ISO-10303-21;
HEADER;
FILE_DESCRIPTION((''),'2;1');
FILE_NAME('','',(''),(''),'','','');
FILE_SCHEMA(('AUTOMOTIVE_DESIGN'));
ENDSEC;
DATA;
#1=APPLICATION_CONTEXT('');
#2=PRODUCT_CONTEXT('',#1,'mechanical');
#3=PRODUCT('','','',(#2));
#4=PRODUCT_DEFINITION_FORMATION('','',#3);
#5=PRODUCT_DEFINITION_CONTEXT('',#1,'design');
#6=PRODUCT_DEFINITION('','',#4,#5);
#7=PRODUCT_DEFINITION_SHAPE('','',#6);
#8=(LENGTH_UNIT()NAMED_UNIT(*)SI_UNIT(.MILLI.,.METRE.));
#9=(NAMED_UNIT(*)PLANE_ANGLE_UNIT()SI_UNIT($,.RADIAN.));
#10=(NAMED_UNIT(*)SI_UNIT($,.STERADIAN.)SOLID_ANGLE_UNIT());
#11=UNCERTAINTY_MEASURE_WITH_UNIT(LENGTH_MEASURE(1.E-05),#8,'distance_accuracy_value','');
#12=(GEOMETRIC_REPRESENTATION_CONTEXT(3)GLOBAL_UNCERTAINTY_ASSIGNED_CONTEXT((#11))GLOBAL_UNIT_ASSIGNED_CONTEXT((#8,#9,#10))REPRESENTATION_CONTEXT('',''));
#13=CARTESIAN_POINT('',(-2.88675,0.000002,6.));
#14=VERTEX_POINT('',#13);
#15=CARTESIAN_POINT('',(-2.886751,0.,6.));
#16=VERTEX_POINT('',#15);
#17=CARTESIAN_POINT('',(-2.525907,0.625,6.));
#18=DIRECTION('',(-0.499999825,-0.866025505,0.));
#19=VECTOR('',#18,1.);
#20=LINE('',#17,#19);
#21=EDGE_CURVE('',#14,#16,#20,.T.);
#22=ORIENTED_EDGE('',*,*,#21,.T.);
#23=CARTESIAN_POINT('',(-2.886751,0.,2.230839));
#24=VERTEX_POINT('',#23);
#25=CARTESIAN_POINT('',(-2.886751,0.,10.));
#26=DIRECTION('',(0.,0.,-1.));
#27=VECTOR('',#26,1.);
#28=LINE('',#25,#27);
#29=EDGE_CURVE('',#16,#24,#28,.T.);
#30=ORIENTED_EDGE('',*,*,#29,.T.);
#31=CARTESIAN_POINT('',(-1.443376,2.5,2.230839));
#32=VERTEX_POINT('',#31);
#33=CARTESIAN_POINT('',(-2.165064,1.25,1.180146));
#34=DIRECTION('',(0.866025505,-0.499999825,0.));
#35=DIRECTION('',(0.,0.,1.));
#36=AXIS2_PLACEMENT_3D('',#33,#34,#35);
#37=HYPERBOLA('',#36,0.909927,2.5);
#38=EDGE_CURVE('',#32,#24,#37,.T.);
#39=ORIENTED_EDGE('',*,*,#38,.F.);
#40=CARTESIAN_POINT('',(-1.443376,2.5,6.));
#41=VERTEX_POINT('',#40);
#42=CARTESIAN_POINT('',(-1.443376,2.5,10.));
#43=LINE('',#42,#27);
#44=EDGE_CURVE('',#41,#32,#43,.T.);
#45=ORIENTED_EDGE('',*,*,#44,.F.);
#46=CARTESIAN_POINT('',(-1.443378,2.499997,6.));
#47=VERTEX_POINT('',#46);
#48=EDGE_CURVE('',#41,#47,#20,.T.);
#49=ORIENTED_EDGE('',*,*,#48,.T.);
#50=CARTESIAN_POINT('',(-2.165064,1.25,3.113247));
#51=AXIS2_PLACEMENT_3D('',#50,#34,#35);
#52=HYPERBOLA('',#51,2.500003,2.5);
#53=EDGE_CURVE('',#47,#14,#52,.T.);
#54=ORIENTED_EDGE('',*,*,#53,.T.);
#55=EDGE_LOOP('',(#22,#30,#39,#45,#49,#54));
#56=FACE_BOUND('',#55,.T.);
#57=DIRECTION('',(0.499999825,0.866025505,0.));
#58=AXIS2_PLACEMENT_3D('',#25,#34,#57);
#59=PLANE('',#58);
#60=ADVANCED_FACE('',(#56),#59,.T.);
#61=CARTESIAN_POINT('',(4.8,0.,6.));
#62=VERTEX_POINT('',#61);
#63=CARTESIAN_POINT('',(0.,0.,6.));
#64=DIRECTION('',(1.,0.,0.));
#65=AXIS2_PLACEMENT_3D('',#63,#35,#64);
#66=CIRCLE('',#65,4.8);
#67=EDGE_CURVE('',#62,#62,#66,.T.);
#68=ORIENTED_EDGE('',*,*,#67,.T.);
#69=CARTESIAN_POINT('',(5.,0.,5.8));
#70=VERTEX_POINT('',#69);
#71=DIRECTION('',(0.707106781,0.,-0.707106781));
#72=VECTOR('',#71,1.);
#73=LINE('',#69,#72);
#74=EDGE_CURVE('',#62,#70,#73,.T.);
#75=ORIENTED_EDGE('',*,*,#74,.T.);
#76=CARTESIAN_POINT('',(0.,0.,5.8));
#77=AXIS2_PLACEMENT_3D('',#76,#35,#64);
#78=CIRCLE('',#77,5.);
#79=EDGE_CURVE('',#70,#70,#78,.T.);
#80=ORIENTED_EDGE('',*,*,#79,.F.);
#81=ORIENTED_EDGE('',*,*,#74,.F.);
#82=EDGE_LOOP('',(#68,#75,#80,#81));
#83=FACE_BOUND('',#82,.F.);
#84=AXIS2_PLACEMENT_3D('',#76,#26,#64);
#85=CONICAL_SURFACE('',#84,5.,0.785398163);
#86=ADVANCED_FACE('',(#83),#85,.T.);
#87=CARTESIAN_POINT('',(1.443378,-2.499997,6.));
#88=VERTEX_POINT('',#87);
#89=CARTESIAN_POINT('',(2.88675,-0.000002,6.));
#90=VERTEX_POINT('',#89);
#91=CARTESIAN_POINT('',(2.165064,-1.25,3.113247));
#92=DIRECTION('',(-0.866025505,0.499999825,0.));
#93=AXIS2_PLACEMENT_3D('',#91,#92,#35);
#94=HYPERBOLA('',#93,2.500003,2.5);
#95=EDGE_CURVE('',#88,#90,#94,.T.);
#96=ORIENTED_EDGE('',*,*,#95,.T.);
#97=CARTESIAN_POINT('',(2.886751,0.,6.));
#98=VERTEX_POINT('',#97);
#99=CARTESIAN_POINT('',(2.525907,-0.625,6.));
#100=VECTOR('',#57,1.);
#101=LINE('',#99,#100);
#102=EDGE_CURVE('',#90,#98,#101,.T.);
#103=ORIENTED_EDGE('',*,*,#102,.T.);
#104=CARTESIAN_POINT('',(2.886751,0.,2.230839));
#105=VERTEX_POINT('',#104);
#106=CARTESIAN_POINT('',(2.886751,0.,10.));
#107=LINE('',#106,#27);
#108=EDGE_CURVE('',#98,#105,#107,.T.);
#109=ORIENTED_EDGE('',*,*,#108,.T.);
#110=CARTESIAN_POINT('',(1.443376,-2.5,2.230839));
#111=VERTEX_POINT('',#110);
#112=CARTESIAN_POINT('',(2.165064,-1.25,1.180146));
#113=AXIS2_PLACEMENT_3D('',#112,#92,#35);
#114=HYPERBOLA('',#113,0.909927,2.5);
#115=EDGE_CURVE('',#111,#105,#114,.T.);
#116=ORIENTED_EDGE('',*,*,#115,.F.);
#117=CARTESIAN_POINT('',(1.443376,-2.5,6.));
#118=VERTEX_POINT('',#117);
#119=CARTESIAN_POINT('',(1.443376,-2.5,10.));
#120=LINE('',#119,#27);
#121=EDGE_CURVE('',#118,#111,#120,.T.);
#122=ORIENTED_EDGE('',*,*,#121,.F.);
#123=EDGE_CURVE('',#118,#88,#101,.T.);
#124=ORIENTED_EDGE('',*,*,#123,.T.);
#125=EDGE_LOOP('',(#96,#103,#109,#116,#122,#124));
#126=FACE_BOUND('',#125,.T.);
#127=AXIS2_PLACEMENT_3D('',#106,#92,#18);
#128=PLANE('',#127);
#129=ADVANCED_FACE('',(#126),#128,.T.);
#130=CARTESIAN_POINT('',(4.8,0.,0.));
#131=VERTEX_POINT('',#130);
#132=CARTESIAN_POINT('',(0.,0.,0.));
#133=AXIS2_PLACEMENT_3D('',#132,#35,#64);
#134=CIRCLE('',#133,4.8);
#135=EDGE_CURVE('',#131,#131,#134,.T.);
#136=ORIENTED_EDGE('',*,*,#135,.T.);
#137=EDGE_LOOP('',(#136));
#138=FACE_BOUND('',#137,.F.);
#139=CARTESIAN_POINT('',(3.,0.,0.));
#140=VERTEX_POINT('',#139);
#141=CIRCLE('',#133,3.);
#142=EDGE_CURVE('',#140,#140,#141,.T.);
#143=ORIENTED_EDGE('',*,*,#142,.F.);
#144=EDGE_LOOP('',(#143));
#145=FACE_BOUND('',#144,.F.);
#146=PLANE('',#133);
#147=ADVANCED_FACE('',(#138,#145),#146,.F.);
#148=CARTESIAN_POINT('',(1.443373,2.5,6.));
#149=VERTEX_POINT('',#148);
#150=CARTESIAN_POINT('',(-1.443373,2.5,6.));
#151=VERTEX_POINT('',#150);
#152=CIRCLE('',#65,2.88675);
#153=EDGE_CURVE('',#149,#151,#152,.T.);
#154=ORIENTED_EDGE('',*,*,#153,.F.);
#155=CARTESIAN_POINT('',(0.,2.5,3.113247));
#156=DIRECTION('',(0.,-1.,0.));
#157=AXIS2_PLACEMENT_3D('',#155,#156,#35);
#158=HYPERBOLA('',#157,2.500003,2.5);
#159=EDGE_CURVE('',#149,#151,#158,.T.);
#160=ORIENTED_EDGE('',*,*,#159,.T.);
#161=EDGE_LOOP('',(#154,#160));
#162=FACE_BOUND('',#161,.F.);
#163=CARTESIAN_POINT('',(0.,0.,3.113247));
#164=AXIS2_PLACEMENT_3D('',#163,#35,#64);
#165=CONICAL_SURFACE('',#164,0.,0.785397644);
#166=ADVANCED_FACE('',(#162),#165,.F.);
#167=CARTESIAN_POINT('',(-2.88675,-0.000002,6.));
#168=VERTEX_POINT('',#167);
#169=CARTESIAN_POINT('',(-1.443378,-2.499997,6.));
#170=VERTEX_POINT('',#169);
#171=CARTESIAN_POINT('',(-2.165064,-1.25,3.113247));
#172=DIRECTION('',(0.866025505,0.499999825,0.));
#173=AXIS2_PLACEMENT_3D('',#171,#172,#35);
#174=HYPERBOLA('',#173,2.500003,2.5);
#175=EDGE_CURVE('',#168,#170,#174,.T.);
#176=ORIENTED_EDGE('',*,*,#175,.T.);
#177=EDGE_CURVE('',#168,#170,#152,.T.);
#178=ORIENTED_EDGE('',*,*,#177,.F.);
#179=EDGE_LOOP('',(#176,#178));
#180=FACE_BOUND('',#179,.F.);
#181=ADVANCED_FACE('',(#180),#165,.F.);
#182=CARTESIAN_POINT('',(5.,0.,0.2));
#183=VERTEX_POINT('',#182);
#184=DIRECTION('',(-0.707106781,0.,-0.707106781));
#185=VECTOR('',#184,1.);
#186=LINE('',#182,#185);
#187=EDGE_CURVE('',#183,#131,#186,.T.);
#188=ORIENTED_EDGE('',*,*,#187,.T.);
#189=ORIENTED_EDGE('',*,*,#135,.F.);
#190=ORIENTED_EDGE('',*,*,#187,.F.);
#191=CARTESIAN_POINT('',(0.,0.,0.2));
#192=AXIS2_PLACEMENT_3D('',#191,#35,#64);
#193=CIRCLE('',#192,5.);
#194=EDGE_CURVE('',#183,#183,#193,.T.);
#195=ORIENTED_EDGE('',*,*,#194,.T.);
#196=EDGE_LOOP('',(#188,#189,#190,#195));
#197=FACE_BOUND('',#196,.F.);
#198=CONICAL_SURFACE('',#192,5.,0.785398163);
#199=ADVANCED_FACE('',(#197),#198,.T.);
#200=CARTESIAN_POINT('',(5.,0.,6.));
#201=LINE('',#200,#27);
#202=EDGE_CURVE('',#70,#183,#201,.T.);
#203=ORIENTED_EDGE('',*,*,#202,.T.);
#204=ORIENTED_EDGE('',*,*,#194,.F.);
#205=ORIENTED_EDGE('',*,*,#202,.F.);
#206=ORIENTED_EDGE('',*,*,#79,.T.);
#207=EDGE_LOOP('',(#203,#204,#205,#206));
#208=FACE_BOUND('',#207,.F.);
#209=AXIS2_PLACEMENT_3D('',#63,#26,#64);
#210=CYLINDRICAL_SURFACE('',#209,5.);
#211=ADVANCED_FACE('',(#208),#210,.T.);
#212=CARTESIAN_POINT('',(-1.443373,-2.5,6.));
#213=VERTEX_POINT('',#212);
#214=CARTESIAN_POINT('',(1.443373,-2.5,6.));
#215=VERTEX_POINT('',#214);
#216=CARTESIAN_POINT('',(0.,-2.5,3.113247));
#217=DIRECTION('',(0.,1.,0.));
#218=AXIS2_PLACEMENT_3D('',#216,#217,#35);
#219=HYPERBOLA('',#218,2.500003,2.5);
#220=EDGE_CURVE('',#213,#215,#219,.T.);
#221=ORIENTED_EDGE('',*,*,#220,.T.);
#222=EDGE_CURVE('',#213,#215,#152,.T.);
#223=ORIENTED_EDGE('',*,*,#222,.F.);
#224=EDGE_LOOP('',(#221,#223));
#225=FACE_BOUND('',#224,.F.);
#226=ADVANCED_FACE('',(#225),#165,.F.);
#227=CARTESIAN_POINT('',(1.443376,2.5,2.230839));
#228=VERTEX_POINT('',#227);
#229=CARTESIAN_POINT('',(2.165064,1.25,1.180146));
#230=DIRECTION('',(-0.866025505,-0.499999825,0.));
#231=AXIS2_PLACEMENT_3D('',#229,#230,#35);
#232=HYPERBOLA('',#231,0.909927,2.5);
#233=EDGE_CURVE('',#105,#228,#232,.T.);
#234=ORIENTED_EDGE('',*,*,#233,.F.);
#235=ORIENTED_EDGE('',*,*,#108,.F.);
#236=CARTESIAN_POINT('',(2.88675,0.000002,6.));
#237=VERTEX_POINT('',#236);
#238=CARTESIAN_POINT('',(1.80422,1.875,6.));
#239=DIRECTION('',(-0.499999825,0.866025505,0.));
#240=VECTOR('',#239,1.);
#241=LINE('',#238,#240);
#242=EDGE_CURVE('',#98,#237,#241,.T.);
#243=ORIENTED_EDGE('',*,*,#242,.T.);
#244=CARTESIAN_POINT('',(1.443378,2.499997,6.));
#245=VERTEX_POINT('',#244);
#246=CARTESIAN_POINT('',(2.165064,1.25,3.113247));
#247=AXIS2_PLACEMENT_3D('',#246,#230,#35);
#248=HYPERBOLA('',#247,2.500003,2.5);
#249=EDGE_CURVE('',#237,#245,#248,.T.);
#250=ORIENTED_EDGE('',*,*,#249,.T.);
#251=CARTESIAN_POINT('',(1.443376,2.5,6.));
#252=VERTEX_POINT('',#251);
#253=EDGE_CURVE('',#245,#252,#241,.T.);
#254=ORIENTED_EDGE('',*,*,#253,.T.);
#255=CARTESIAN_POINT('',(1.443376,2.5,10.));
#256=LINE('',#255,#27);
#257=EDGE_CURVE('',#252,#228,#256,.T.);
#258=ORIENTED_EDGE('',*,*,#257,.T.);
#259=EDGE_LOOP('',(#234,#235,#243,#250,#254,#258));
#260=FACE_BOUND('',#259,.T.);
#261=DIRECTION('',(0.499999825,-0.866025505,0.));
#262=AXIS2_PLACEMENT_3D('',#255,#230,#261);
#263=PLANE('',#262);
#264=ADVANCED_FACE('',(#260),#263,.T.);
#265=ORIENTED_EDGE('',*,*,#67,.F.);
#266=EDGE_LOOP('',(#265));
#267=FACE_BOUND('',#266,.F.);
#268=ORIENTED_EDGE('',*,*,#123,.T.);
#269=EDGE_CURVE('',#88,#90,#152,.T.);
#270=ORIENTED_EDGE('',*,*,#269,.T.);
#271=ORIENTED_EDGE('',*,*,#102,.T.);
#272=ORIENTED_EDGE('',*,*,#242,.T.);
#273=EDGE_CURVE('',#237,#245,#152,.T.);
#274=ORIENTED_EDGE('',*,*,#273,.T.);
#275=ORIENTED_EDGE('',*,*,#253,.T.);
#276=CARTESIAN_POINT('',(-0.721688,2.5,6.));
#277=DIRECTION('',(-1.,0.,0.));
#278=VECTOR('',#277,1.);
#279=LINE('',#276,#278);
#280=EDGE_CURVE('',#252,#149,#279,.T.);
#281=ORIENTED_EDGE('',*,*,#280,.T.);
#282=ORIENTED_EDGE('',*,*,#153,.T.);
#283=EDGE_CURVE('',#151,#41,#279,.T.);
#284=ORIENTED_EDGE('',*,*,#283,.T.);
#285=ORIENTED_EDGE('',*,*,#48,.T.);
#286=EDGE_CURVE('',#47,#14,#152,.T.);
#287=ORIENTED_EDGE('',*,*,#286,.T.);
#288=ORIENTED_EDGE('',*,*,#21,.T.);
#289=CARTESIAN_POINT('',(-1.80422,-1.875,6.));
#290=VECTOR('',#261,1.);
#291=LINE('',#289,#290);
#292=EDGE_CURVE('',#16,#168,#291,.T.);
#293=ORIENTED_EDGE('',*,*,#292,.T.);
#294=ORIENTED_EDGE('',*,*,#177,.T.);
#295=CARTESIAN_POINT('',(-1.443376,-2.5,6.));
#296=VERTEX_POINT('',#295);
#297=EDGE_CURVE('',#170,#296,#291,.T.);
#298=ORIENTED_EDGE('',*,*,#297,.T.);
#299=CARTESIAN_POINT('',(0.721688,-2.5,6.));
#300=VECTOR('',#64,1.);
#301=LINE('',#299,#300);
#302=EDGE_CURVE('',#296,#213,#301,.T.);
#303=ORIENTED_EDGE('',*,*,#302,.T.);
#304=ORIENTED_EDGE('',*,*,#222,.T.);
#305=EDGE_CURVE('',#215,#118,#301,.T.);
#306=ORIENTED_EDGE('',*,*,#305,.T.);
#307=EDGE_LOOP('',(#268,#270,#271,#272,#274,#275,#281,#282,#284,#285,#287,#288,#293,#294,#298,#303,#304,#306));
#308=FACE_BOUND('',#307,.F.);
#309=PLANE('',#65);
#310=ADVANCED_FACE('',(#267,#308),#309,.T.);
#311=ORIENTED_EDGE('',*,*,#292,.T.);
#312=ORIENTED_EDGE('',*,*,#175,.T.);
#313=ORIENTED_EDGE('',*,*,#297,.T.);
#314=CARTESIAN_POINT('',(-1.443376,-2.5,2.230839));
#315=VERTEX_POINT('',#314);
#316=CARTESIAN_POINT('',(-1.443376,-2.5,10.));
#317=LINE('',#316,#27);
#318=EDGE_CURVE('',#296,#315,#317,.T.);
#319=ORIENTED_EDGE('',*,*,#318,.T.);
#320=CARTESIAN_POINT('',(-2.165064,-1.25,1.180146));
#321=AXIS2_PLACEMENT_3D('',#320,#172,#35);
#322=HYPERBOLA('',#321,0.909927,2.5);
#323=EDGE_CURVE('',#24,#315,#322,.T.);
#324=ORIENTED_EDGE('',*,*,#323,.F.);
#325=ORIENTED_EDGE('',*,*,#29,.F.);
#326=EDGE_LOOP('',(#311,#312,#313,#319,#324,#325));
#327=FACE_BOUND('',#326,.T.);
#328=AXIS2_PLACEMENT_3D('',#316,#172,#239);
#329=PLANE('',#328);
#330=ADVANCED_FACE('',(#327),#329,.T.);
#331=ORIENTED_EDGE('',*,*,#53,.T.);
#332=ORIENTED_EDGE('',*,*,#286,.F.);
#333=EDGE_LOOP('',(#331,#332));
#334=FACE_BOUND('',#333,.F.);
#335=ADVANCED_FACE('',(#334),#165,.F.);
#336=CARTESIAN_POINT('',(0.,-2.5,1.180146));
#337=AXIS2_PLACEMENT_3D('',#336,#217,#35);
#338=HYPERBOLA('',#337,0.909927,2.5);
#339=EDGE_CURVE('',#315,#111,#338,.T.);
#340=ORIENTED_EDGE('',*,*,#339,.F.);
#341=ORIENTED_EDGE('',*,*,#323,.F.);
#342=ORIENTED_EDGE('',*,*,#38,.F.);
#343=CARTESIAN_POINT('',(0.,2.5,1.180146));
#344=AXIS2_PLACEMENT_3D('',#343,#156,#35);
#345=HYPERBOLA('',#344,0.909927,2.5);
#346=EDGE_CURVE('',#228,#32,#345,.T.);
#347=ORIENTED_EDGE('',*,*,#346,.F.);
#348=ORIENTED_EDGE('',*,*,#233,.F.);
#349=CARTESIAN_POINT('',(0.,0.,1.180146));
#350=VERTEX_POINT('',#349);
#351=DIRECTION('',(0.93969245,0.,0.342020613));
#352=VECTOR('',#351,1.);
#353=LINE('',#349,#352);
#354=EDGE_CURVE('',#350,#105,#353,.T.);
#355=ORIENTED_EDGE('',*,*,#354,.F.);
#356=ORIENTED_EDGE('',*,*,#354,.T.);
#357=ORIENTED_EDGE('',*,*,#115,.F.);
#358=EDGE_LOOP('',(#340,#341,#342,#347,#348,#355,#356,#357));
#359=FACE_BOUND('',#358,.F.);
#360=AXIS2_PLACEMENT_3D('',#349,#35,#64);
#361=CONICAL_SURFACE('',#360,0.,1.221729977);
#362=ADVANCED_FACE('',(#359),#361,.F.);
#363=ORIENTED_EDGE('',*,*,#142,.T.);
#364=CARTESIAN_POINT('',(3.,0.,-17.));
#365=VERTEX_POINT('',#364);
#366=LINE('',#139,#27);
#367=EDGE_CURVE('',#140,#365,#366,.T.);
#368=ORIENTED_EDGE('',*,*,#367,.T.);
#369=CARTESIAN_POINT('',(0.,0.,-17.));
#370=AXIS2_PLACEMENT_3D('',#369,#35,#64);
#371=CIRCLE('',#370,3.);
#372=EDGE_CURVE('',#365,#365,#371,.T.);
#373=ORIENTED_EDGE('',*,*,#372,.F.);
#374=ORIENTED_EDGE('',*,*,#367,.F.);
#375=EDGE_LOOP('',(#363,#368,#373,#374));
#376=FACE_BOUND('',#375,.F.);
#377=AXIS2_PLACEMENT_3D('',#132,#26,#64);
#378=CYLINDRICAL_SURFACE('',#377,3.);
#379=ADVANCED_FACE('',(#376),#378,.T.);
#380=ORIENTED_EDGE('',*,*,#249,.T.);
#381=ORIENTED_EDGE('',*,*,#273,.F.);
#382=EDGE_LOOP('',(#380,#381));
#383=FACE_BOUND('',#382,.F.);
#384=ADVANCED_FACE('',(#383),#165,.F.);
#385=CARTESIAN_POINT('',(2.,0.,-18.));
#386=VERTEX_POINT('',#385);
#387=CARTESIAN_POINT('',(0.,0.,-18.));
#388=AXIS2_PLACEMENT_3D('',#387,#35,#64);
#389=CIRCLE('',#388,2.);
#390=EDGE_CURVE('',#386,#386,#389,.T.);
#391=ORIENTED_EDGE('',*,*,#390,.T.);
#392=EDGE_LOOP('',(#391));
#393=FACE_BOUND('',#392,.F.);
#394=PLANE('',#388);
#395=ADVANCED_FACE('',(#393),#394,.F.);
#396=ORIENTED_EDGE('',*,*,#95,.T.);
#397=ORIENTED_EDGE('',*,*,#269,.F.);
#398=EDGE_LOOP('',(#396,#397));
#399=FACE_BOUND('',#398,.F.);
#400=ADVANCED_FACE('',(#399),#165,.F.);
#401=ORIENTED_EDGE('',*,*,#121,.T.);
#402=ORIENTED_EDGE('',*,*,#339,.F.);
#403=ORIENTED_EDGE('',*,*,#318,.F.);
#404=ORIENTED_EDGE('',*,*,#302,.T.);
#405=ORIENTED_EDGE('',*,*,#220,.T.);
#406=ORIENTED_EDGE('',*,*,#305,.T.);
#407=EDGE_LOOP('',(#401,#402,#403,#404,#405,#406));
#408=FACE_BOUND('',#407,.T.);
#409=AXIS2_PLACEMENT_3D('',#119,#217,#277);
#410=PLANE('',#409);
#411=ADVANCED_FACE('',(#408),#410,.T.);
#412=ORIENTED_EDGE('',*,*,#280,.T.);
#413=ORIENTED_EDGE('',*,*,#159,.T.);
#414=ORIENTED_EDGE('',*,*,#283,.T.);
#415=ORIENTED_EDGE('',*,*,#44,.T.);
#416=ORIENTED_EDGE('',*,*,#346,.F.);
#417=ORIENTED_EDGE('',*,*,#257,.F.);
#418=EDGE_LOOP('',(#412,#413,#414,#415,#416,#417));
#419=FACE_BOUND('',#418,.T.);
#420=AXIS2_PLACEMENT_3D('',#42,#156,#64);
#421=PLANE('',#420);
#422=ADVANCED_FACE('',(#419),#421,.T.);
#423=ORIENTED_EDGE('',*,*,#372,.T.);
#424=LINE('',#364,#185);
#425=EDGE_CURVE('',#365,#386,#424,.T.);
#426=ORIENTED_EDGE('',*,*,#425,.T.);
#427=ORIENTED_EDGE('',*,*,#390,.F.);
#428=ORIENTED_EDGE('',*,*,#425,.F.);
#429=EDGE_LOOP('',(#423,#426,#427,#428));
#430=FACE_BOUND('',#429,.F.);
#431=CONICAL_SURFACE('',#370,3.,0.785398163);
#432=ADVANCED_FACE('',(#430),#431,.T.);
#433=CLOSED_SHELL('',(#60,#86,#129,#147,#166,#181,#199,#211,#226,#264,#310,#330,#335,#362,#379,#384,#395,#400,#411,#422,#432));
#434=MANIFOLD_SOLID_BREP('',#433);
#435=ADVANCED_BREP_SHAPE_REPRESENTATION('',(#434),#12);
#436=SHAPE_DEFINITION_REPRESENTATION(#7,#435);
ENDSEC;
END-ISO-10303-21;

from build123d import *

# Parameters (mm, degrees)
SKETCH001_R     = 6
POCKET_DEPTH    = 8.820854
CHAMFER_SIZE    = 0.2
CHAMFER001_SIZE = 1


with BuildPart() as pocket:
    # Sketch003 → Revolution001 (revolve)
    with BuildSketch(Plane.XZ):
        Polygon((0, 1.180146), (5, 3), (5, 10), (0, 10), align=None)
    revolve(axis=Axis((0, 0, 0), (0, 0, 1)))

    # Sketch001 (on Face3 of Revolution001) → Pocket (cut, through all)
    with BuildSketch(Plane(origin=(0, 0, 10), x_dir=(-1, 0, 0), z_dir=(0, 0, 1))):
        Circle(SKETCH001_R)
        Polygon((-1.443376, 2.5), (1.443376, 2.5), (2.886751, 0), (1.443376, -2.5), (-1.443376, -2.5), (-2.886751, 0), align=None, mode=Mode.SUBTRACT)
    extrude(amount=-POCKET_DEPTH, mode=Mode.SUBTRACT)


with BuildPart() as chamfer001:
    # Sketch → Revolution (revolve)
    with BuildSketch(Plane.XZ):
        Polygon((2.88675, 6), (5, 6), (5, 0), (3, 0), (3, -18), (0, -18), (0, 3.113247), align=None)
    revolve(axis=Axis((0, 0, 0), (0, 0, 1)))

    # Cut: cut Pocket
    add(pocket.part, mode=Mode.SUBTRACT)

    # Chamfer
    chamfer_edges = [chamfer001.edges().sort_by_distance(p)[0] for p in [
        (-5, 0, 6),
        (-5, 0, 0),
    ]]
    chamfer(chamfer_edges, length=CHAMFER_SIZE)

    # Chamfer001
    chamfer001_edges = [chamfer001.edges().sort_by_distance(p)[0] for p in [
        (-3, 0, -18),
    ]]
    chamfer(chamfer001_edges, length=CHAMFER001_SIZE)


solid = chamfer001.part
